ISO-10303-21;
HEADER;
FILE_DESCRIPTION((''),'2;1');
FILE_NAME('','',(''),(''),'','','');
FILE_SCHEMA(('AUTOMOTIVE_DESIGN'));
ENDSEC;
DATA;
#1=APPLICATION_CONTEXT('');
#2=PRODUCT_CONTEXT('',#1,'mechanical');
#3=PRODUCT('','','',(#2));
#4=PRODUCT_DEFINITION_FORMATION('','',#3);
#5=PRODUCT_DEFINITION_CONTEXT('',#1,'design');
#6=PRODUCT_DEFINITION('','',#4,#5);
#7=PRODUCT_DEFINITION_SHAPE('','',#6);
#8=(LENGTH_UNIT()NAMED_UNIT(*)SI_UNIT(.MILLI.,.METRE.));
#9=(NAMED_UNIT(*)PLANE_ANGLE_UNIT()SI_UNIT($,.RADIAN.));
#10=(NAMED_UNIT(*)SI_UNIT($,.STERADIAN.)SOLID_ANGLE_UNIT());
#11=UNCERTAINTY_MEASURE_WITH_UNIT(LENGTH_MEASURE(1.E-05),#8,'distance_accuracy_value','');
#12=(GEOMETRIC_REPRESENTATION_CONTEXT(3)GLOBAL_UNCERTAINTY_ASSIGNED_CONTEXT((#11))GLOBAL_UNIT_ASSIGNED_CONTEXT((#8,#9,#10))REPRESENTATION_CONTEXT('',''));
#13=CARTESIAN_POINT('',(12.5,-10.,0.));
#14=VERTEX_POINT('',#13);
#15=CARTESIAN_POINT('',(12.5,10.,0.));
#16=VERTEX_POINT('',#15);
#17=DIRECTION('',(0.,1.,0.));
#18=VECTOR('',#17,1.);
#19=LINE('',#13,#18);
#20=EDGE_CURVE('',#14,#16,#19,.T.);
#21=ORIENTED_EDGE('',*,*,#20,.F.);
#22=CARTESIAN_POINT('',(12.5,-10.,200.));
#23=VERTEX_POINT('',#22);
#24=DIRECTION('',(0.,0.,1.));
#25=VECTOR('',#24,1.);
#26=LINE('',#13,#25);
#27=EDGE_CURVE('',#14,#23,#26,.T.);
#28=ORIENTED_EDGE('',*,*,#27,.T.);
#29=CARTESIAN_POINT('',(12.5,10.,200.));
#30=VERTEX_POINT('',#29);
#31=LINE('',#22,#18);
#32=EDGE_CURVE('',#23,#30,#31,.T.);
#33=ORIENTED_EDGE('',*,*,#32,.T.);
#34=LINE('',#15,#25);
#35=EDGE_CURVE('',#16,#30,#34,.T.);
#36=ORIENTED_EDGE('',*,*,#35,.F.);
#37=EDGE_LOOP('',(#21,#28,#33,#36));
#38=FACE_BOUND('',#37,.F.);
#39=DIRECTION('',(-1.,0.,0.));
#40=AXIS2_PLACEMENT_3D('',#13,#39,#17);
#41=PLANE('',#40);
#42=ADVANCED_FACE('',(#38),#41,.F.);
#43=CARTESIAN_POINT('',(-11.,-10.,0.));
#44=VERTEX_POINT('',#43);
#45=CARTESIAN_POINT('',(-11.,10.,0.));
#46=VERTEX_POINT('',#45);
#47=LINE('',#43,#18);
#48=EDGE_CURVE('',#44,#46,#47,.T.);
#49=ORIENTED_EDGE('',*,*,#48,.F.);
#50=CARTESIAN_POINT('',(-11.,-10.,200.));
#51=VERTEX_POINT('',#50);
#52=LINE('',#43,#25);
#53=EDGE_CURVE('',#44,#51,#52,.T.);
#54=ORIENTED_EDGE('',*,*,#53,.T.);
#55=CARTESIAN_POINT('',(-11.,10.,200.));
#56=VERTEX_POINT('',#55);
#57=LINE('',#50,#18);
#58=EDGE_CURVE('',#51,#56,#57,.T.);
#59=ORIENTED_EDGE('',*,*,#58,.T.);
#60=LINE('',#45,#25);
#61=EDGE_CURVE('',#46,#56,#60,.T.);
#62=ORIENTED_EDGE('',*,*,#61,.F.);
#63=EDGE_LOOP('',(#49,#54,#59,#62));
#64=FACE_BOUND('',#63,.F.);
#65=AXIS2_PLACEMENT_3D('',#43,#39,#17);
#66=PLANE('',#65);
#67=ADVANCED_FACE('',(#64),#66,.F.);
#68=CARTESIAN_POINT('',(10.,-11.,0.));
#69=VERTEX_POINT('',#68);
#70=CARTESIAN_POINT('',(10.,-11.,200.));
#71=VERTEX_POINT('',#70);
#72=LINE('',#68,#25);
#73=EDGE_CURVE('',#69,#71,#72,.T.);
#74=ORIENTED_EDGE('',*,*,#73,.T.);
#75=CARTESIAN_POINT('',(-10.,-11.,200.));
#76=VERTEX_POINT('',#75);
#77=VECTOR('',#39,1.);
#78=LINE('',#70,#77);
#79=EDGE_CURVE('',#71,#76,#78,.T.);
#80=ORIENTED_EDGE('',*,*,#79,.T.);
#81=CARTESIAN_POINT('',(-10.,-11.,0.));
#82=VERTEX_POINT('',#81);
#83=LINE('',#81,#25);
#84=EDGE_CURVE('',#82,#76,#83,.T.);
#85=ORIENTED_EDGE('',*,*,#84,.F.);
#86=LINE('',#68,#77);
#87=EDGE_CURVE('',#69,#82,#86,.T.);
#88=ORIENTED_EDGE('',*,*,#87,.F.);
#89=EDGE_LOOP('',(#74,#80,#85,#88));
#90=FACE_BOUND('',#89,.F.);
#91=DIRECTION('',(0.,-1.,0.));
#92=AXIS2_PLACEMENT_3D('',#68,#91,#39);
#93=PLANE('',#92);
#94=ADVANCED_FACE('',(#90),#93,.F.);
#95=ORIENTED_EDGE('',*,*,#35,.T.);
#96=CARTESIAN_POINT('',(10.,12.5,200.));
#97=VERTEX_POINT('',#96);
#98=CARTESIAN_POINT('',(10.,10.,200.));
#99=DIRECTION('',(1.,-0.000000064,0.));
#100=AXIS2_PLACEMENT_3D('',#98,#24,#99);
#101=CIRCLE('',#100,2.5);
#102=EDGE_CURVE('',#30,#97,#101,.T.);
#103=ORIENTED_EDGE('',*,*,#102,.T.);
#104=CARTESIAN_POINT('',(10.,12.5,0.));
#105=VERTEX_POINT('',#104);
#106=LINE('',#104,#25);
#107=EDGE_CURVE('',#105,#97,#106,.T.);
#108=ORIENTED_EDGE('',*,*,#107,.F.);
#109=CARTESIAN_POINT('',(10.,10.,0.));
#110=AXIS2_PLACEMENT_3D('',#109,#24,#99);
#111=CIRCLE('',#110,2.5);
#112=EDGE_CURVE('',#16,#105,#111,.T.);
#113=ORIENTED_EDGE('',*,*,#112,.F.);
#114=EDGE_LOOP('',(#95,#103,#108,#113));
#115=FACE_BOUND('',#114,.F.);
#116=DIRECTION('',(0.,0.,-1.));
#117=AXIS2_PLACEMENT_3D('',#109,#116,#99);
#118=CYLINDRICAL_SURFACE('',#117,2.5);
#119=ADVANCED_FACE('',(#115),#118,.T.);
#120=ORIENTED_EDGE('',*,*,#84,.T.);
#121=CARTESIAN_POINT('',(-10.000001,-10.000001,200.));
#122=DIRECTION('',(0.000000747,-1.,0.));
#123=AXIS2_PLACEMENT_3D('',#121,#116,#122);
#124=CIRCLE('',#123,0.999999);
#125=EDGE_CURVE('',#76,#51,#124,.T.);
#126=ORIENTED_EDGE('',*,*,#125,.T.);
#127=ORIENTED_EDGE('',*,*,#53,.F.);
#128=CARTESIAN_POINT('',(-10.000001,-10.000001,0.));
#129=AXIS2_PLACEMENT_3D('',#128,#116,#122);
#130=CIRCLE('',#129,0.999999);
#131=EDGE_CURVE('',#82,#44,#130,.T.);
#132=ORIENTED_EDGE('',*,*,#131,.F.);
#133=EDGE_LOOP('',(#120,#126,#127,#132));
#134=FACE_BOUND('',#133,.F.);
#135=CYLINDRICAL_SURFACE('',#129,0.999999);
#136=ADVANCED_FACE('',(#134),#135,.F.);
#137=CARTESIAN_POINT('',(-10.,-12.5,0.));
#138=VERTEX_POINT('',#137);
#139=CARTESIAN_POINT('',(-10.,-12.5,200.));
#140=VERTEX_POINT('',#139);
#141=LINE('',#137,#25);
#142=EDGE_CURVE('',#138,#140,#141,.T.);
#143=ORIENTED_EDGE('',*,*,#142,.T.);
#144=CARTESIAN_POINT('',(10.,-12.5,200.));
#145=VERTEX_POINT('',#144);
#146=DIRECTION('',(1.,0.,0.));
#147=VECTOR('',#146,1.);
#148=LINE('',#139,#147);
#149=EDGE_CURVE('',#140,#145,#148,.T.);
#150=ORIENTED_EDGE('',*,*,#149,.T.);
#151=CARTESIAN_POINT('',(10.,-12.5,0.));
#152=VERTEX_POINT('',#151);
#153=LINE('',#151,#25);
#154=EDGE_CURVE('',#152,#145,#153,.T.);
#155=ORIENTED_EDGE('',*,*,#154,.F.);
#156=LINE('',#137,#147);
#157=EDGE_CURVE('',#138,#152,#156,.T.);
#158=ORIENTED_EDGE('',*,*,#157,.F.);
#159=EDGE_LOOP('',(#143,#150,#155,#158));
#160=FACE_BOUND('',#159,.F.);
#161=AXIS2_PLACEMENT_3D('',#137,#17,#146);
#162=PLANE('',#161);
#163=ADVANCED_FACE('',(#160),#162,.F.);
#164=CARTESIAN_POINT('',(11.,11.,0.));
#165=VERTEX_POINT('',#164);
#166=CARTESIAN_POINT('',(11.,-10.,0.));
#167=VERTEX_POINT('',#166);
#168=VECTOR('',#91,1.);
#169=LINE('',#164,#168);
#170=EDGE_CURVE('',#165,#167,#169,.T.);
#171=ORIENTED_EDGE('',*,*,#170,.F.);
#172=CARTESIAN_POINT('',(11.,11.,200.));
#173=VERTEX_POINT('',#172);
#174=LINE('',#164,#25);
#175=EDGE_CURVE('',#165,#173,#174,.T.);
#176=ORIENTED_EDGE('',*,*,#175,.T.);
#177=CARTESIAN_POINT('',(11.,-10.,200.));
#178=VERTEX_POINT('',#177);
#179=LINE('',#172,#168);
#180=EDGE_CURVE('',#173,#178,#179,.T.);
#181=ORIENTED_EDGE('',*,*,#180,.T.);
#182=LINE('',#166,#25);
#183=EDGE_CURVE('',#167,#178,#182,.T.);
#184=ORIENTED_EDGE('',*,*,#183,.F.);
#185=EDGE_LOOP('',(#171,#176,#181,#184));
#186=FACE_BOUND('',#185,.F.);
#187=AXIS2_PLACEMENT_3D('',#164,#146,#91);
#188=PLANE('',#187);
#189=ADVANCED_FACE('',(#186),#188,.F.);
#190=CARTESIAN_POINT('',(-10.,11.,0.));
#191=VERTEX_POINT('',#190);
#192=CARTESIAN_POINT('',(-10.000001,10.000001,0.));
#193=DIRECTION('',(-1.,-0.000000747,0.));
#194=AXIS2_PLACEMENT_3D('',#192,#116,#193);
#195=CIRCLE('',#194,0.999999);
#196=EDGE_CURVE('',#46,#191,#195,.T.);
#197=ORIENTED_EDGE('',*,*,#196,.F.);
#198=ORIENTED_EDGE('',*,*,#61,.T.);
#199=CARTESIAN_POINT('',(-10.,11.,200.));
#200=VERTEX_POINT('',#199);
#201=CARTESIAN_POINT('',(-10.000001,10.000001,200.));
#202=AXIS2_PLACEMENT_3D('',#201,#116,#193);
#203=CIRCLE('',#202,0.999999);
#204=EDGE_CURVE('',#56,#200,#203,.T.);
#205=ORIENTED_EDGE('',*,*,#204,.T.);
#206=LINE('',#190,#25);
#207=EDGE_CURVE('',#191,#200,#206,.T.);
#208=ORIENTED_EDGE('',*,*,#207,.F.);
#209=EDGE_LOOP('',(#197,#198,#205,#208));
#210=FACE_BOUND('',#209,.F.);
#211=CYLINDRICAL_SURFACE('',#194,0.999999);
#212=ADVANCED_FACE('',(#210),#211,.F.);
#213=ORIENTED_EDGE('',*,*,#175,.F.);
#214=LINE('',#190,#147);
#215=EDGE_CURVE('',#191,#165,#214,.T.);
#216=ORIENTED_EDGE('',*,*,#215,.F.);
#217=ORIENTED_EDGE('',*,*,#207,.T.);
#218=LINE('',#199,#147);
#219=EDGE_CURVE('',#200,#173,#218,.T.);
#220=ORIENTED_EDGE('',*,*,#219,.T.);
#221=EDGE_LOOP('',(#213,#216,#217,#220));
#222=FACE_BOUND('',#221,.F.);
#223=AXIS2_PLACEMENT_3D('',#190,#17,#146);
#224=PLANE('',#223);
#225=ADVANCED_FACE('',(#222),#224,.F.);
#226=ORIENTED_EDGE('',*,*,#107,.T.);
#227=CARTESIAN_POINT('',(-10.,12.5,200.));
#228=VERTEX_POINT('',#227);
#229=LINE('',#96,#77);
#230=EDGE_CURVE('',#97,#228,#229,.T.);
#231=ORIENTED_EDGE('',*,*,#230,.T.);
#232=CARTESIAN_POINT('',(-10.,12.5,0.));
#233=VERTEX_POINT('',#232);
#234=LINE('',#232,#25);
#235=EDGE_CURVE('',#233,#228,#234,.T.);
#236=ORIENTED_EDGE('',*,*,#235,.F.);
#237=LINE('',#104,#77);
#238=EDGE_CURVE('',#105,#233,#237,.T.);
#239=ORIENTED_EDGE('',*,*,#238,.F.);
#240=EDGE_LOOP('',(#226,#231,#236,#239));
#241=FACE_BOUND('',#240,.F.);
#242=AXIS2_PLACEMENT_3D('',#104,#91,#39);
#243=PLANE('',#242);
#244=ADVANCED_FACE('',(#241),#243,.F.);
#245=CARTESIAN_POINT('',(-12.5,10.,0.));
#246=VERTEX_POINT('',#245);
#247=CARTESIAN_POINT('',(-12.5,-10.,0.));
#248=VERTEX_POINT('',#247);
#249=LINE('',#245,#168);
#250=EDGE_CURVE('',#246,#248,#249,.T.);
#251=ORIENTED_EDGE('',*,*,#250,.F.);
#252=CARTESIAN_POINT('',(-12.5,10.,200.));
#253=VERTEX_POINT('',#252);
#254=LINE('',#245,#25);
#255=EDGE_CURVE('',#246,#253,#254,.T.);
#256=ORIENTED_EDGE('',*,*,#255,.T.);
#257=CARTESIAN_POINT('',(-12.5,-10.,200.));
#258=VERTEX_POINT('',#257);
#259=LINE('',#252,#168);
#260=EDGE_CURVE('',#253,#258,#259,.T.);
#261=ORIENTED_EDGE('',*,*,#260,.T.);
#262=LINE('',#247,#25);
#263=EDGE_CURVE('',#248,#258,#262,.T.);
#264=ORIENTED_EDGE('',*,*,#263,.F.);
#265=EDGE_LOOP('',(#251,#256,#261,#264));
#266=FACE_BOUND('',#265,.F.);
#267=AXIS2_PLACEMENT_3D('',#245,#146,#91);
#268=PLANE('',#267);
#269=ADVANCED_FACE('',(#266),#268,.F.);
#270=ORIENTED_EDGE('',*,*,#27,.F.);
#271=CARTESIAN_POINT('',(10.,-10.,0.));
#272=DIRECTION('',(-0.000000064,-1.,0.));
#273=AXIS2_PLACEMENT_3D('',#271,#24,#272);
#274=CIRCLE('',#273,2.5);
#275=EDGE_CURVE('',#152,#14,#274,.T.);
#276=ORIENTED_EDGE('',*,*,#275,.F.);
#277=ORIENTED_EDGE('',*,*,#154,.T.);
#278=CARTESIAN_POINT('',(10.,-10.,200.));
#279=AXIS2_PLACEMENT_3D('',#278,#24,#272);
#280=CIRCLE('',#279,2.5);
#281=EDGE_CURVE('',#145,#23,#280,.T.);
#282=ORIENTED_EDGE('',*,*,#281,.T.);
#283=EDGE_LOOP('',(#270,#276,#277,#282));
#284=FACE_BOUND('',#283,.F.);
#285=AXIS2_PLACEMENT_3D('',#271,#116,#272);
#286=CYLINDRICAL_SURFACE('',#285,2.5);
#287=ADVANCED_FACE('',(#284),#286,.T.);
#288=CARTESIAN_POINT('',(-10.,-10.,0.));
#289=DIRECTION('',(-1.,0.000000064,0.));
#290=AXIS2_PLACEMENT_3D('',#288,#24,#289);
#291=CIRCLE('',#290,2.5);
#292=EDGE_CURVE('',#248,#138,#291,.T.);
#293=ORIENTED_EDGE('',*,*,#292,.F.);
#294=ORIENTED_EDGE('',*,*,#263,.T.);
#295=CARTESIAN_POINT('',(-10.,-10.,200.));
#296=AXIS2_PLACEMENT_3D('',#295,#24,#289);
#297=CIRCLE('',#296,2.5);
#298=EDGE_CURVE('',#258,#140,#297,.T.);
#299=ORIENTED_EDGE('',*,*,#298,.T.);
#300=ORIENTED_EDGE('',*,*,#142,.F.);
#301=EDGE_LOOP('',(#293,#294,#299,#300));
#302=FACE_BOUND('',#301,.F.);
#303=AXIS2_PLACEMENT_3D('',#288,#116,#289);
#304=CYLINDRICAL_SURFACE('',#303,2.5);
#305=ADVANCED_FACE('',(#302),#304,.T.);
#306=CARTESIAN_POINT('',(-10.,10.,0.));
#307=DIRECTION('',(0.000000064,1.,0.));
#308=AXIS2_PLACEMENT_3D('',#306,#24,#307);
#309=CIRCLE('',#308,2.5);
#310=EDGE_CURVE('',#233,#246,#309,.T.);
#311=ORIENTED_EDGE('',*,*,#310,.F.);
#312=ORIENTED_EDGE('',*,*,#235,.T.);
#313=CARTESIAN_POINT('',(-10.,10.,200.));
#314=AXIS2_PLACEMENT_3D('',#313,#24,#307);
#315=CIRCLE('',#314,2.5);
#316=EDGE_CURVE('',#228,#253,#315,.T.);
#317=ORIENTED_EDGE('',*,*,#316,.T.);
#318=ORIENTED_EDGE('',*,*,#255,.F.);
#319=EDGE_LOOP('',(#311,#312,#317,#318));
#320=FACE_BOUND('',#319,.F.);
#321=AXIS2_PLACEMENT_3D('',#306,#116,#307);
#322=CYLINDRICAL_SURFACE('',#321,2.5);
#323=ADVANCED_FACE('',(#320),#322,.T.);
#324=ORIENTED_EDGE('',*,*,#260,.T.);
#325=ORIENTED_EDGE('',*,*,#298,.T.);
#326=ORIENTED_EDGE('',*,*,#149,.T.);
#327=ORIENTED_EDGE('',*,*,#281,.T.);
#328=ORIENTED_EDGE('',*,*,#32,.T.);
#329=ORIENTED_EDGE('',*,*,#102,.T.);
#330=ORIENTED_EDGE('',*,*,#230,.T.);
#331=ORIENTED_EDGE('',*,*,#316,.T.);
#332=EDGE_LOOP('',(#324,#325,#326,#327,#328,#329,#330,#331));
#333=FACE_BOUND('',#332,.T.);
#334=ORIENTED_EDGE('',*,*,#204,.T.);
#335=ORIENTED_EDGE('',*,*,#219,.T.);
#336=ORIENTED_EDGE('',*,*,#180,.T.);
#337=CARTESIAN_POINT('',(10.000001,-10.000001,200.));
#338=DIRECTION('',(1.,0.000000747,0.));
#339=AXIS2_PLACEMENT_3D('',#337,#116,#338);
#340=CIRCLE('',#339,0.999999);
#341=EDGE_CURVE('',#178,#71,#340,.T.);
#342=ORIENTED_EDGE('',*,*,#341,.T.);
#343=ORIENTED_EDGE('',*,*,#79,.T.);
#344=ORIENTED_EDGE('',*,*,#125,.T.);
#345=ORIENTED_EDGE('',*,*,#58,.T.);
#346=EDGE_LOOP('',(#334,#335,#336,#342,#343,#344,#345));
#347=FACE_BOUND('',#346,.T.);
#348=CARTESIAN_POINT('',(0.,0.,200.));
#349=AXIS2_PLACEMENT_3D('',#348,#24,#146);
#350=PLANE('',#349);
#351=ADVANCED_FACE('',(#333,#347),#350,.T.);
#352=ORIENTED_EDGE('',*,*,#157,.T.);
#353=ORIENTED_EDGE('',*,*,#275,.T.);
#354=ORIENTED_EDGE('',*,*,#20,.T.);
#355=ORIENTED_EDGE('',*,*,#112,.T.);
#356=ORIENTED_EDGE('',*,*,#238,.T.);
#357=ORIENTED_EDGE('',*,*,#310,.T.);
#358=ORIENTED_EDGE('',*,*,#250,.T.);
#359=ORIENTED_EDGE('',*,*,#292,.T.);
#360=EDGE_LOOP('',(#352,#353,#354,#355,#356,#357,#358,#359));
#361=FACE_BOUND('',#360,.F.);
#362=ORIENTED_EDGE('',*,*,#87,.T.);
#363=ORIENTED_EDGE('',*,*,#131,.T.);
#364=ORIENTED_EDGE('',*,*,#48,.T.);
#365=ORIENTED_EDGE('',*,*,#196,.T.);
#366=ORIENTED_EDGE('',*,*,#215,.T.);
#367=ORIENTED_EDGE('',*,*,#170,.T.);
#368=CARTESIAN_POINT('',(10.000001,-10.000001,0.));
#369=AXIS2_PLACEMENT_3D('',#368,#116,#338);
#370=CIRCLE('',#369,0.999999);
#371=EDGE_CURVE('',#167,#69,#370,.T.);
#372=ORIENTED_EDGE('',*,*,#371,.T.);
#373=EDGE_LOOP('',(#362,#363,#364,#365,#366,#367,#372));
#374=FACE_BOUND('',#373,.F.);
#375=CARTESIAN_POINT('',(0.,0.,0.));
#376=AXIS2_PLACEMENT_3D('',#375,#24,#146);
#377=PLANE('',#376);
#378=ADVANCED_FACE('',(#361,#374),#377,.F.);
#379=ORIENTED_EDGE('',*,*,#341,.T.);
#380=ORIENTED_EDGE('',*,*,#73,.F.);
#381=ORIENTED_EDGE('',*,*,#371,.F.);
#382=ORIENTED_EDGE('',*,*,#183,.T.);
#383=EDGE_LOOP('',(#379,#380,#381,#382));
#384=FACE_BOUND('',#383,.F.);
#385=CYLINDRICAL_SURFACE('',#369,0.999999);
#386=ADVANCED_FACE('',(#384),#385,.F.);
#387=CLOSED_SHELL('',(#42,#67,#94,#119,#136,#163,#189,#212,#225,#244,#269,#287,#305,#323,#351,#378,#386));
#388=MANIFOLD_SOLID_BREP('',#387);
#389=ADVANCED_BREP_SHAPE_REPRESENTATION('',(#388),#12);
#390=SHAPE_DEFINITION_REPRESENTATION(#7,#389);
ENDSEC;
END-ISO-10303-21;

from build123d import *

# Parameters (mm, degrees)
F1_DEPTH = 200


with BuildPart() as f1:
    # F0 (on Top) → F1 (new body)
    with BuildSketch(Plane.XY):
        with BuildLine():
            ThreePointArc((12.5, 10), (11.767767, 11.767767), (10, 12.5))
            Line((10, 12.5), (-10, 12.5))
            ThreePointArc((-10, 12.5), (-11.767767, 11.767767), (-12.5, 10))
            Line((-12.5, 10), (-12.5, -10))
            ThreePointArc((-12.5, -10), (-11.767767, -11.767767), (-10, -12.5))
            Line((-10, -12.5), (10, -12.5))
            ThreePointArc((10, -12.5), (11.767767, -11.767767), (12.5, -10))
            Line((12.5, -10), (12.5, 10))
        make_face()
        with BuildLine():
            ThreePointArc((11, -10), (10.707107, -10.707107), (10, -11))
            Line((10, -11), (-10, -11))
            ThreePointArc((-10, -11), (-10.707107, -10.707107), (-11, -10))
            Line((-11, -10), (-11, 10))
            ThreePointArc((-11, 10), (-10.707107, 10.707107), (-10, 11))
            Line((-10, 11), (11, 11))
            Line((11, 11), (11, -10))
        make_face(mode=Mode.SUBTRACT)
    extrude(amount=F1_DEPTH)


solid = f1.part
